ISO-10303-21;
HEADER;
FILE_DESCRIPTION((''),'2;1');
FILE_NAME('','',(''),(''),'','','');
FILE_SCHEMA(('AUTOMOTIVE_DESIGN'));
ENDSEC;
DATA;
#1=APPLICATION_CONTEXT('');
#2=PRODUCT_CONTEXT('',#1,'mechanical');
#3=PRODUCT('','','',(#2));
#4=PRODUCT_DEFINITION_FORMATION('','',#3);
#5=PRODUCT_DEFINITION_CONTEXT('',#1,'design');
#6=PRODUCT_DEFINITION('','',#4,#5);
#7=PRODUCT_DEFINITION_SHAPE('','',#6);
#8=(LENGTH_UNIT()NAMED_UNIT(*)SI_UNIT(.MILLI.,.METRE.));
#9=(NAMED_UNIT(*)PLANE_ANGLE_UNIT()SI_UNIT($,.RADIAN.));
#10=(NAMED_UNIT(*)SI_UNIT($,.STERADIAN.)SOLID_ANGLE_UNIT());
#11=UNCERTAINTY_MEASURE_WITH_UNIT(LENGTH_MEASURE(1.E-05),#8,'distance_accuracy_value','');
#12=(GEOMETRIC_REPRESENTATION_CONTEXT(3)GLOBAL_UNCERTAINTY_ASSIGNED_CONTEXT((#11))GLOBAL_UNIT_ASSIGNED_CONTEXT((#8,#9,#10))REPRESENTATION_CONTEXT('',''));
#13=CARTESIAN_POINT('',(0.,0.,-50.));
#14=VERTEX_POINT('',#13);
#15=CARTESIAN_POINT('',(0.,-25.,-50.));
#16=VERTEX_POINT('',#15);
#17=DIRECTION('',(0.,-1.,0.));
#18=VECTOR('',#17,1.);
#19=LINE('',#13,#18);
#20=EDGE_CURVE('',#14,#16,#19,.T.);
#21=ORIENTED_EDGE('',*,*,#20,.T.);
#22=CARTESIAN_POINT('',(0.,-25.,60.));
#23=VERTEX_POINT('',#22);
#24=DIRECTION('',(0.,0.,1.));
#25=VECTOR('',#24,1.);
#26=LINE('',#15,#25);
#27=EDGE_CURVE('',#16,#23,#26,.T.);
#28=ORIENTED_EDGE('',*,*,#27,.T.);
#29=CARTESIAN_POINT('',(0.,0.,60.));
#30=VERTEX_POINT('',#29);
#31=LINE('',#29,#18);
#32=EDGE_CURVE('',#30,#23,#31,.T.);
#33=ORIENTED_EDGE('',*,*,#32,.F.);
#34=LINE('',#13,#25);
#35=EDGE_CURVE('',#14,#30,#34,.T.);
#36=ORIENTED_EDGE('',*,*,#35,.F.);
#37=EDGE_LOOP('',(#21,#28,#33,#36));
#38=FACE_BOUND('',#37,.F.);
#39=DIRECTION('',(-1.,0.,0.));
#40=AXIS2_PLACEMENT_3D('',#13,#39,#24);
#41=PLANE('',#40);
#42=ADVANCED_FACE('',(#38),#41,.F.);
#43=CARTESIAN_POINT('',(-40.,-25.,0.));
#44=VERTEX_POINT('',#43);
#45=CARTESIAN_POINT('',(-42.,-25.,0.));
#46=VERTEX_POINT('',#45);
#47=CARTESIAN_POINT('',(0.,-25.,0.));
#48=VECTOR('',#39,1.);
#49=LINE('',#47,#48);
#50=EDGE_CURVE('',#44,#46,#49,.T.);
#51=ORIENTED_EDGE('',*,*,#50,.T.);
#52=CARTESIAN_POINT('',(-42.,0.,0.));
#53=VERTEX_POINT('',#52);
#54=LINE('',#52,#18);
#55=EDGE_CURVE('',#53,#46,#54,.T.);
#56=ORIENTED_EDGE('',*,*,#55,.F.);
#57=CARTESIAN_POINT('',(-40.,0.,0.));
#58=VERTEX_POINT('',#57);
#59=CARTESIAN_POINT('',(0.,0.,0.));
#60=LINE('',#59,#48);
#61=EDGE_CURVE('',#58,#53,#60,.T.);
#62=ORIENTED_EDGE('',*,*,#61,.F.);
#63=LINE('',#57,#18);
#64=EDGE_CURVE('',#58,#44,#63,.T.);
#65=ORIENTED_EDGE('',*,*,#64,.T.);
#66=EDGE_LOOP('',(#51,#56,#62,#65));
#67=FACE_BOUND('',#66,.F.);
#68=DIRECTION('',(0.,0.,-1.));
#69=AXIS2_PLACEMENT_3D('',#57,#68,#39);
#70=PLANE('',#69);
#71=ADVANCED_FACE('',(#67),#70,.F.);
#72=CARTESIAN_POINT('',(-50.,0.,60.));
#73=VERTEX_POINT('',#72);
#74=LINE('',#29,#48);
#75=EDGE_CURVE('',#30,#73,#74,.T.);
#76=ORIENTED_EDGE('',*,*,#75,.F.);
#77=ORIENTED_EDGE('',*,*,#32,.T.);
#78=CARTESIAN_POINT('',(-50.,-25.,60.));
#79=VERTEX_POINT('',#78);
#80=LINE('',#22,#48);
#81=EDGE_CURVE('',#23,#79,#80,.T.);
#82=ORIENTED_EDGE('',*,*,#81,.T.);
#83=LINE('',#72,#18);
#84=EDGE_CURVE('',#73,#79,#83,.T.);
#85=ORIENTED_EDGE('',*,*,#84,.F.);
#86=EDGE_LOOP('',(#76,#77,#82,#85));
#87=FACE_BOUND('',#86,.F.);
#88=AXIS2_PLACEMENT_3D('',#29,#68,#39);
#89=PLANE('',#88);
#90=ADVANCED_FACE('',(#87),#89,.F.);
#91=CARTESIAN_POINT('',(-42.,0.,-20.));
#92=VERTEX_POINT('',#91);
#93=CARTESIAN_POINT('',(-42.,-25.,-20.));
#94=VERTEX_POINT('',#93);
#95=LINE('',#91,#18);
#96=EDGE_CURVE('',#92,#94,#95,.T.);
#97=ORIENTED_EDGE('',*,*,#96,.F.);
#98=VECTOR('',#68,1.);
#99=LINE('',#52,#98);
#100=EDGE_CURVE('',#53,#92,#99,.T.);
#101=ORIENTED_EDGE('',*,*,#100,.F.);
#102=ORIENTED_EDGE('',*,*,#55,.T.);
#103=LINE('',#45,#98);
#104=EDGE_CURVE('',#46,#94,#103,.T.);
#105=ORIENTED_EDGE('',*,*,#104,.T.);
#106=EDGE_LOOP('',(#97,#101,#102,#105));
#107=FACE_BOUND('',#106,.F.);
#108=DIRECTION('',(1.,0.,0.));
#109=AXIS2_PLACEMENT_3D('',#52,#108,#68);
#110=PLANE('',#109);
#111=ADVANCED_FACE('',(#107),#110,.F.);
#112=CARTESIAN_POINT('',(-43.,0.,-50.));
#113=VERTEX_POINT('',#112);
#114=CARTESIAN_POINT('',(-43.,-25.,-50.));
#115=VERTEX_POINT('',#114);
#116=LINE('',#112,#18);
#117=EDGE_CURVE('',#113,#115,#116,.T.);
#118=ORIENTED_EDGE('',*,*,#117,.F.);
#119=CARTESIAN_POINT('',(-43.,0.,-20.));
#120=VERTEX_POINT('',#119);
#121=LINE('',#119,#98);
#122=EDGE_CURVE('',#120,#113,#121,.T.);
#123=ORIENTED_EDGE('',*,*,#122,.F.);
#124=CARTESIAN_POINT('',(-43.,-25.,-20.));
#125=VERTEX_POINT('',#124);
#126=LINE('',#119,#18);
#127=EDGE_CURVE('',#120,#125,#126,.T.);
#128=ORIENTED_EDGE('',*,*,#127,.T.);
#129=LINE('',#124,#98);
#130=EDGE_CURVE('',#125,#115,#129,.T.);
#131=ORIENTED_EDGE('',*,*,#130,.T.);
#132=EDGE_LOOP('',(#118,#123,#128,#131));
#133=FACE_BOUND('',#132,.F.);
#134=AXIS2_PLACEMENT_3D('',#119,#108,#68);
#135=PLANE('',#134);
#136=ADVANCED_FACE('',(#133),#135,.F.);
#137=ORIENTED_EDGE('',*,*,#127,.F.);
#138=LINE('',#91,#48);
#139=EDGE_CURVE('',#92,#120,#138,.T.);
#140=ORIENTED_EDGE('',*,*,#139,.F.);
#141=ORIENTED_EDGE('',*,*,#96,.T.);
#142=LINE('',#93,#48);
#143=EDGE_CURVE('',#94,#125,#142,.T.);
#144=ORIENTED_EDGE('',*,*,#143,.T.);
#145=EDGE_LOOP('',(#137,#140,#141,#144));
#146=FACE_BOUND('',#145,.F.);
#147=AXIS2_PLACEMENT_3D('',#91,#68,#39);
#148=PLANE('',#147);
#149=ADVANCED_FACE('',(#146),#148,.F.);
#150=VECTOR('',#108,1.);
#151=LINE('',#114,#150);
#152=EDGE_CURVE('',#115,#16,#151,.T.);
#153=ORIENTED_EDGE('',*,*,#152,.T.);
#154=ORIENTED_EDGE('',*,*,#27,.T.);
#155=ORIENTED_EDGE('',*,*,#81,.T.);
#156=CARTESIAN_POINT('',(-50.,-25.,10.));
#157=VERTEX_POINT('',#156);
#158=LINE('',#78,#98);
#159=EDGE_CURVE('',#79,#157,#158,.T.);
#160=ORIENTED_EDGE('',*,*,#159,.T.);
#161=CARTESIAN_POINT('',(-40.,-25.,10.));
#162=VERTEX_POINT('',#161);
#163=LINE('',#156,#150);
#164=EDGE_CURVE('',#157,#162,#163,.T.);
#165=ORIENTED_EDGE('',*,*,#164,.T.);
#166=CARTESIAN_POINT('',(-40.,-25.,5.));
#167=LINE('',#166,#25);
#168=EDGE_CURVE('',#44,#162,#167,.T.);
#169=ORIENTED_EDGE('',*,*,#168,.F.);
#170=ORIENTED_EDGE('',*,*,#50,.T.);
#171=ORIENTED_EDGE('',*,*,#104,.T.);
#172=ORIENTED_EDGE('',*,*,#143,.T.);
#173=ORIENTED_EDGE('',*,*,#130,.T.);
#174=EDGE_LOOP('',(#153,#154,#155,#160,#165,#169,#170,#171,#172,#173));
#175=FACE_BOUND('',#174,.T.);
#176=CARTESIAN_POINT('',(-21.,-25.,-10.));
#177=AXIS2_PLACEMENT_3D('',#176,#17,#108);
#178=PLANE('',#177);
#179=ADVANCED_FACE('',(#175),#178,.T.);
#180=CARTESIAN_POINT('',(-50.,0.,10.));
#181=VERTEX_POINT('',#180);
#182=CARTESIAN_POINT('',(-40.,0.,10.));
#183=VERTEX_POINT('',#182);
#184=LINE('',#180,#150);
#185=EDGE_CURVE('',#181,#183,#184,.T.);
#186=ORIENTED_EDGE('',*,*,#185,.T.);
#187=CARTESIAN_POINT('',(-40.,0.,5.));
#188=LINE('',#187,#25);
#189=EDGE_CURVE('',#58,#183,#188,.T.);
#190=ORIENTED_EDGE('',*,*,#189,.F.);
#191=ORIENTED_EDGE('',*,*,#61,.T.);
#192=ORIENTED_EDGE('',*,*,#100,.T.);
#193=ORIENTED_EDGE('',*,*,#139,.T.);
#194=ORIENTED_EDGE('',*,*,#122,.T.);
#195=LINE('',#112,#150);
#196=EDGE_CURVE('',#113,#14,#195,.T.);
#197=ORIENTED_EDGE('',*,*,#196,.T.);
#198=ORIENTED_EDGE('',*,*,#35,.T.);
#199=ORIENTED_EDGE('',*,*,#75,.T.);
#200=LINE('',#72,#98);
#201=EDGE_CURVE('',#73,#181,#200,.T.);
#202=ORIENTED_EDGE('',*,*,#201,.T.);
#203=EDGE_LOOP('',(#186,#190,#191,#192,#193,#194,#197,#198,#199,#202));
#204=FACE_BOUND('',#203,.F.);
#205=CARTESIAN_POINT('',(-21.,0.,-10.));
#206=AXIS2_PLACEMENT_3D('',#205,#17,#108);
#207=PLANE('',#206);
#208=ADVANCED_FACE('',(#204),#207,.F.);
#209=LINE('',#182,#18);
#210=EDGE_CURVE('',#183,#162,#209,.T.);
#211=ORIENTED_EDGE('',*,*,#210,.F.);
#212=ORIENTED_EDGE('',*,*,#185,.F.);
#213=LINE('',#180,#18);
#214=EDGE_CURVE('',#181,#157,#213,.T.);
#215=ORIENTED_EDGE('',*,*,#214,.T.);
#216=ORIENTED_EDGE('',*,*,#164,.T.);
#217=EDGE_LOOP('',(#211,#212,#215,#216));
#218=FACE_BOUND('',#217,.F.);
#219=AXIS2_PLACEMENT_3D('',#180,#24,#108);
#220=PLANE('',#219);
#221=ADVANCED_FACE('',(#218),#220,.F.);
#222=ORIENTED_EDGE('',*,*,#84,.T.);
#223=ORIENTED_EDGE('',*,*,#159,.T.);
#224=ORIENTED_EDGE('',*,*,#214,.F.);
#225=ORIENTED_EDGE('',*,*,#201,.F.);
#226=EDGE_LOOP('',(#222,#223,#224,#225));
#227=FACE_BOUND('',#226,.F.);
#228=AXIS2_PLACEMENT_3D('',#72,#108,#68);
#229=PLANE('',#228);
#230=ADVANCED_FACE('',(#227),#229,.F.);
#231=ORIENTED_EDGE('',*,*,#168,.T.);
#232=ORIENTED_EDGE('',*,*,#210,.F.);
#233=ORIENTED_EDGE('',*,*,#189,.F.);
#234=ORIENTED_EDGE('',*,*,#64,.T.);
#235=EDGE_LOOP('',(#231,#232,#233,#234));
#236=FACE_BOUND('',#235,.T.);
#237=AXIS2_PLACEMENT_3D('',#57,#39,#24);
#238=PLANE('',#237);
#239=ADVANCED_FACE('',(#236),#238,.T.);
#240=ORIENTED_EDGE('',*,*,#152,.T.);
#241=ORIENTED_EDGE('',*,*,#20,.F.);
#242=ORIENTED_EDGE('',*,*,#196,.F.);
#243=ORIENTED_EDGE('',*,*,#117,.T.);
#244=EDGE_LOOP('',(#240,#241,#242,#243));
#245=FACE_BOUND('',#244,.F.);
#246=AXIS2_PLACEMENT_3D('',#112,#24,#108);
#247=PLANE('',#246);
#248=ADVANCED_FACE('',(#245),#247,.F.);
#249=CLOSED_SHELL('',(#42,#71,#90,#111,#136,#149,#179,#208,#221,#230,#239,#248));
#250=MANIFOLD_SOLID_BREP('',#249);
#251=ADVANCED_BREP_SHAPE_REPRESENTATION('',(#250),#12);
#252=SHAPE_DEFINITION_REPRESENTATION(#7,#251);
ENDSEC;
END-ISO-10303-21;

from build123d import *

# Parameters (mm, degrees)
F0_W     = 40
F0_H     = 10
F1_DEPTH = 25


with BuildPart() as f1:
    # F0 (on Front) → F1 (new body)
    with BuildSketch(Plane.XZ):
        Polygon((0, -20), (0, 0), (-40, 0), (-42, 0), (-42, -20), align=None)
        with Locations((-20, 5)):
            Rectangle(F0_W, F0_H)
        Polygon((-40, 10), (0, 10), (0, 60), (-50, 60), (-50, 10), align=None)
        Polygon((0, -50), (0, -20), (-42, -20), (-43, -20), (-43, -50), align=None)
    extrude(amount=F1_DEPTH)


solid = f1.part
